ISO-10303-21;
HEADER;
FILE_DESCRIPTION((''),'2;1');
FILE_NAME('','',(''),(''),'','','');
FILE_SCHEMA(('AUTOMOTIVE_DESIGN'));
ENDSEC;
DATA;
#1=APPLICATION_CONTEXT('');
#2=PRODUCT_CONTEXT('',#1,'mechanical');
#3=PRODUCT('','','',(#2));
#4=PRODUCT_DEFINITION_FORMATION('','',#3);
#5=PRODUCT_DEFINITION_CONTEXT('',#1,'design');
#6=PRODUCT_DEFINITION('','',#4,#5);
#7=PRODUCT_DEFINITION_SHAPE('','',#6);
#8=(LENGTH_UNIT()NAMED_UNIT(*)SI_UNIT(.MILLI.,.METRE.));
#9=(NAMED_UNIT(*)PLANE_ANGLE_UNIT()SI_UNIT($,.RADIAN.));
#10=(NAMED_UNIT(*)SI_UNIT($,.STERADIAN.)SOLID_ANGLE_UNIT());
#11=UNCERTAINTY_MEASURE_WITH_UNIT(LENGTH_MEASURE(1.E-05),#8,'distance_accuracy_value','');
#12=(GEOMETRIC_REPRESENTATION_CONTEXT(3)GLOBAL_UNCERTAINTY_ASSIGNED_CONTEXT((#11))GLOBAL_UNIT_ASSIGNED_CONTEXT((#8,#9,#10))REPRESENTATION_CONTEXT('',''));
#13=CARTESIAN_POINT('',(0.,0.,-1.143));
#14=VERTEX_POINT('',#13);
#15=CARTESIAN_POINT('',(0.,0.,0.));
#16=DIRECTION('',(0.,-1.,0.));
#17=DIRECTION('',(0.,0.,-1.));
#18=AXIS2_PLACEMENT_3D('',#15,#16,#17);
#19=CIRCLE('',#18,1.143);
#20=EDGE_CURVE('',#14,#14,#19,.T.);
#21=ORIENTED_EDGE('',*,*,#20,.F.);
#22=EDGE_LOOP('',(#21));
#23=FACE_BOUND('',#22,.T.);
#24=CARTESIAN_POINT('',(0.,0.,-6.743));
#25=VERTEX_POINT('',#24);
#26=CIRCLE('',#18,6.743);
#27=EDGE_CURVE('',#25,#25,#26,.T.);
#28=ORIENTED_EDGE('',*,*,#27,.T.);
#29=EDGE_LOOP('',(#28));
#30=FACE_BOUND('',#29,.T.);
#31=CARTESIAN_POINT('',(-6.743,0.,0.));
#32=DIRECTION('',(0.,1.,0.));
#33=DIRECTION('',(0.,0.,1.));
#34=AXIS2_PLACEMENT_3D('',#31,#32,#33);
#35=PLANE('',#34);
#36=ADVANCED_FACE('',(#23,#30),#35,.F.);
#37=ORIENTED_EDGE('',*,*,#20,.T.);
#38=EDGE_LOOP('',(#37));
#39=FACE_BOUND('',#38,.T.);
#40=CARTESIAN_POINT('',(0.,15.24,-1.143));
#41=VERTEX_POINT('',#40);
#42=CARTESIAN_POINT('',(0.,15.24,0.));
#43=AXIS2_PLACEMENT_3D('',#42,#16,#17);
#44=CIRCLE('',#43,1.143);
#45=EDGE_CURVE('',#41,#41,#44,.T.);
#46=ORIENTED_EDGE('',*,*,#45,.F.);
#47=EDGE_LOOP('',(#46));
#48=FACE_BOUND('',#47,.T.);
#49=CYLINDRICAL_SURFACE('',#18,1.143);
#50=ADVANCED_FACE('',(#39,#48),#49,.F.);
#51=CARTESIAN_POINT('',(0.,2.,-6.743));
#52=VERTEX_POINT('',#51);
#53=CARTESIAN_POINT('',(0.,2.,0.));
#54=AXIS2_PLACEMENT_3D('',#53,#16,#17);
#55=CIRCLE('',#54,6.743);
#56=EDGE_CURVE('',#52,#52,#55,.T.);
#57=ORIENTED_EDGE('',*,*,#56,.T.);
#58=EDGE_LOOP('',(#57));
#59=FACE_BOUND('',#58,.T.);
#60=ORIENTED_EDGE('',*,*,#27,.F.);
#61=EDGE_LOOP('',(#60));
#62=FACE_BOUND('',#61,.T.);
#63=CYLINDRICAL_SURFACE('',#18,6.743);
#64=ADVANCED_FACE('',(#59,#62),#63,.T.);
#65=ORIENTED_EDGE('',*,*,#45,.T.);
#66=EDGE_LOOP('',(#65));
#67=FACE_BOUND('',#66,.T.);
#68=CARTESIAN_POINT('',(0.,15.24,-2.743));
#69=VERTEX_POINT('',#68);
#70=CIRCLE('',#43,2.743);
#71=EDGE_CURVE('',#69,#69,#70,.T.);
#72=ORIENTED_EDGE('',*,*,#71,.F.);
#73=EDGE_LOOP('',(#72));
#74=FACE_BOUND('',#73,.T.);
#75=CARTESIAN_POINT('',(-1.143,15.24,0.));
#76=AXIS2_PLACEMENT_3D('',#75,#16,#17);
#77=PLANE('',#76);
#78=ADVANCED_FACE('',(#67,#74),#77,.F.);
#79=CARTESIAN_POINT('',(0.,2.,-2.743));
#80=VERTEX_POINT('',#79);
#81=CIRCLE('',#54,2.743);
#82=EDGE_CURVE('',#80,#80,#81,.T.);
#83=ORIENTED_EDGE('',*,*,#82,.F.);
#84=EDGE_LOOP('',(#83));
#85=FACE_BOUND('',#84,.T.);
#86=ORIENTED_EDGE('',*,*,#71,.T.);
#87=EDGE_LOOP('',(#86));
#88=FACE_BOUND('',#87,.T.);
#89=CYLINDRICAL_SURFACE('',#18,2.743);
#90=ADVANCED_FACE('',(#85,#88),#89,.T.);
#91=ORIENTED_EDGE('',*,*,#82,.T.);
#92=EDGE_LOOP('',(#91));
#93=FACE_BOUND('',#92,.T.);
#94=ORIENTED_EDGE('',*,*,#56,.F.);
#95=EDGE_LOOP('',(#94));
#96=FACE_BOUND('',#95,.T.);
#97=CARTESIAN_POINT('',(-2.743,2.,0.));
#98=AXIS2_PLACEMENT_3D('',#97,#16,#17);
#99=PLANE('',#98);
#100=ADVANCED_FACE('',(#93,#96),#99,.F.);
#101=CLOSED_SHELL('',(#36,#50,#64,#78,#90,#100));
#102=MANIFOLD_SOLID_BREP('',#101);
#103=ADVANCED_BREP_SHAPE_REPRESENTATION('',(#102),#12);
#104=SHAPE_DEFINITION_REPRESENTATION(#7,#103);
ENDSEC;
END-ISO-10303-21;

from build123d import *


with BuildPart() as part:
    # Sketch1 → Revolve1 (revolve)
    with BuildSketch(Plane.XY, mode=Mode.PRIVATE) as revolve1_sk:
        Polygon((-1.143, 0), (-1.143, 15.24), (-2.743, 15.24), (-2.743, 2), (-6.743, 2), (-6.743, 0), align=None)
    revolve(revolve1_sk.sketch.rotate(Axis((0, 0, 0), (0, 1, 0)), 270), axis=Axis((0, 0, 0), (0, 1, 0)))


solid = part.part
